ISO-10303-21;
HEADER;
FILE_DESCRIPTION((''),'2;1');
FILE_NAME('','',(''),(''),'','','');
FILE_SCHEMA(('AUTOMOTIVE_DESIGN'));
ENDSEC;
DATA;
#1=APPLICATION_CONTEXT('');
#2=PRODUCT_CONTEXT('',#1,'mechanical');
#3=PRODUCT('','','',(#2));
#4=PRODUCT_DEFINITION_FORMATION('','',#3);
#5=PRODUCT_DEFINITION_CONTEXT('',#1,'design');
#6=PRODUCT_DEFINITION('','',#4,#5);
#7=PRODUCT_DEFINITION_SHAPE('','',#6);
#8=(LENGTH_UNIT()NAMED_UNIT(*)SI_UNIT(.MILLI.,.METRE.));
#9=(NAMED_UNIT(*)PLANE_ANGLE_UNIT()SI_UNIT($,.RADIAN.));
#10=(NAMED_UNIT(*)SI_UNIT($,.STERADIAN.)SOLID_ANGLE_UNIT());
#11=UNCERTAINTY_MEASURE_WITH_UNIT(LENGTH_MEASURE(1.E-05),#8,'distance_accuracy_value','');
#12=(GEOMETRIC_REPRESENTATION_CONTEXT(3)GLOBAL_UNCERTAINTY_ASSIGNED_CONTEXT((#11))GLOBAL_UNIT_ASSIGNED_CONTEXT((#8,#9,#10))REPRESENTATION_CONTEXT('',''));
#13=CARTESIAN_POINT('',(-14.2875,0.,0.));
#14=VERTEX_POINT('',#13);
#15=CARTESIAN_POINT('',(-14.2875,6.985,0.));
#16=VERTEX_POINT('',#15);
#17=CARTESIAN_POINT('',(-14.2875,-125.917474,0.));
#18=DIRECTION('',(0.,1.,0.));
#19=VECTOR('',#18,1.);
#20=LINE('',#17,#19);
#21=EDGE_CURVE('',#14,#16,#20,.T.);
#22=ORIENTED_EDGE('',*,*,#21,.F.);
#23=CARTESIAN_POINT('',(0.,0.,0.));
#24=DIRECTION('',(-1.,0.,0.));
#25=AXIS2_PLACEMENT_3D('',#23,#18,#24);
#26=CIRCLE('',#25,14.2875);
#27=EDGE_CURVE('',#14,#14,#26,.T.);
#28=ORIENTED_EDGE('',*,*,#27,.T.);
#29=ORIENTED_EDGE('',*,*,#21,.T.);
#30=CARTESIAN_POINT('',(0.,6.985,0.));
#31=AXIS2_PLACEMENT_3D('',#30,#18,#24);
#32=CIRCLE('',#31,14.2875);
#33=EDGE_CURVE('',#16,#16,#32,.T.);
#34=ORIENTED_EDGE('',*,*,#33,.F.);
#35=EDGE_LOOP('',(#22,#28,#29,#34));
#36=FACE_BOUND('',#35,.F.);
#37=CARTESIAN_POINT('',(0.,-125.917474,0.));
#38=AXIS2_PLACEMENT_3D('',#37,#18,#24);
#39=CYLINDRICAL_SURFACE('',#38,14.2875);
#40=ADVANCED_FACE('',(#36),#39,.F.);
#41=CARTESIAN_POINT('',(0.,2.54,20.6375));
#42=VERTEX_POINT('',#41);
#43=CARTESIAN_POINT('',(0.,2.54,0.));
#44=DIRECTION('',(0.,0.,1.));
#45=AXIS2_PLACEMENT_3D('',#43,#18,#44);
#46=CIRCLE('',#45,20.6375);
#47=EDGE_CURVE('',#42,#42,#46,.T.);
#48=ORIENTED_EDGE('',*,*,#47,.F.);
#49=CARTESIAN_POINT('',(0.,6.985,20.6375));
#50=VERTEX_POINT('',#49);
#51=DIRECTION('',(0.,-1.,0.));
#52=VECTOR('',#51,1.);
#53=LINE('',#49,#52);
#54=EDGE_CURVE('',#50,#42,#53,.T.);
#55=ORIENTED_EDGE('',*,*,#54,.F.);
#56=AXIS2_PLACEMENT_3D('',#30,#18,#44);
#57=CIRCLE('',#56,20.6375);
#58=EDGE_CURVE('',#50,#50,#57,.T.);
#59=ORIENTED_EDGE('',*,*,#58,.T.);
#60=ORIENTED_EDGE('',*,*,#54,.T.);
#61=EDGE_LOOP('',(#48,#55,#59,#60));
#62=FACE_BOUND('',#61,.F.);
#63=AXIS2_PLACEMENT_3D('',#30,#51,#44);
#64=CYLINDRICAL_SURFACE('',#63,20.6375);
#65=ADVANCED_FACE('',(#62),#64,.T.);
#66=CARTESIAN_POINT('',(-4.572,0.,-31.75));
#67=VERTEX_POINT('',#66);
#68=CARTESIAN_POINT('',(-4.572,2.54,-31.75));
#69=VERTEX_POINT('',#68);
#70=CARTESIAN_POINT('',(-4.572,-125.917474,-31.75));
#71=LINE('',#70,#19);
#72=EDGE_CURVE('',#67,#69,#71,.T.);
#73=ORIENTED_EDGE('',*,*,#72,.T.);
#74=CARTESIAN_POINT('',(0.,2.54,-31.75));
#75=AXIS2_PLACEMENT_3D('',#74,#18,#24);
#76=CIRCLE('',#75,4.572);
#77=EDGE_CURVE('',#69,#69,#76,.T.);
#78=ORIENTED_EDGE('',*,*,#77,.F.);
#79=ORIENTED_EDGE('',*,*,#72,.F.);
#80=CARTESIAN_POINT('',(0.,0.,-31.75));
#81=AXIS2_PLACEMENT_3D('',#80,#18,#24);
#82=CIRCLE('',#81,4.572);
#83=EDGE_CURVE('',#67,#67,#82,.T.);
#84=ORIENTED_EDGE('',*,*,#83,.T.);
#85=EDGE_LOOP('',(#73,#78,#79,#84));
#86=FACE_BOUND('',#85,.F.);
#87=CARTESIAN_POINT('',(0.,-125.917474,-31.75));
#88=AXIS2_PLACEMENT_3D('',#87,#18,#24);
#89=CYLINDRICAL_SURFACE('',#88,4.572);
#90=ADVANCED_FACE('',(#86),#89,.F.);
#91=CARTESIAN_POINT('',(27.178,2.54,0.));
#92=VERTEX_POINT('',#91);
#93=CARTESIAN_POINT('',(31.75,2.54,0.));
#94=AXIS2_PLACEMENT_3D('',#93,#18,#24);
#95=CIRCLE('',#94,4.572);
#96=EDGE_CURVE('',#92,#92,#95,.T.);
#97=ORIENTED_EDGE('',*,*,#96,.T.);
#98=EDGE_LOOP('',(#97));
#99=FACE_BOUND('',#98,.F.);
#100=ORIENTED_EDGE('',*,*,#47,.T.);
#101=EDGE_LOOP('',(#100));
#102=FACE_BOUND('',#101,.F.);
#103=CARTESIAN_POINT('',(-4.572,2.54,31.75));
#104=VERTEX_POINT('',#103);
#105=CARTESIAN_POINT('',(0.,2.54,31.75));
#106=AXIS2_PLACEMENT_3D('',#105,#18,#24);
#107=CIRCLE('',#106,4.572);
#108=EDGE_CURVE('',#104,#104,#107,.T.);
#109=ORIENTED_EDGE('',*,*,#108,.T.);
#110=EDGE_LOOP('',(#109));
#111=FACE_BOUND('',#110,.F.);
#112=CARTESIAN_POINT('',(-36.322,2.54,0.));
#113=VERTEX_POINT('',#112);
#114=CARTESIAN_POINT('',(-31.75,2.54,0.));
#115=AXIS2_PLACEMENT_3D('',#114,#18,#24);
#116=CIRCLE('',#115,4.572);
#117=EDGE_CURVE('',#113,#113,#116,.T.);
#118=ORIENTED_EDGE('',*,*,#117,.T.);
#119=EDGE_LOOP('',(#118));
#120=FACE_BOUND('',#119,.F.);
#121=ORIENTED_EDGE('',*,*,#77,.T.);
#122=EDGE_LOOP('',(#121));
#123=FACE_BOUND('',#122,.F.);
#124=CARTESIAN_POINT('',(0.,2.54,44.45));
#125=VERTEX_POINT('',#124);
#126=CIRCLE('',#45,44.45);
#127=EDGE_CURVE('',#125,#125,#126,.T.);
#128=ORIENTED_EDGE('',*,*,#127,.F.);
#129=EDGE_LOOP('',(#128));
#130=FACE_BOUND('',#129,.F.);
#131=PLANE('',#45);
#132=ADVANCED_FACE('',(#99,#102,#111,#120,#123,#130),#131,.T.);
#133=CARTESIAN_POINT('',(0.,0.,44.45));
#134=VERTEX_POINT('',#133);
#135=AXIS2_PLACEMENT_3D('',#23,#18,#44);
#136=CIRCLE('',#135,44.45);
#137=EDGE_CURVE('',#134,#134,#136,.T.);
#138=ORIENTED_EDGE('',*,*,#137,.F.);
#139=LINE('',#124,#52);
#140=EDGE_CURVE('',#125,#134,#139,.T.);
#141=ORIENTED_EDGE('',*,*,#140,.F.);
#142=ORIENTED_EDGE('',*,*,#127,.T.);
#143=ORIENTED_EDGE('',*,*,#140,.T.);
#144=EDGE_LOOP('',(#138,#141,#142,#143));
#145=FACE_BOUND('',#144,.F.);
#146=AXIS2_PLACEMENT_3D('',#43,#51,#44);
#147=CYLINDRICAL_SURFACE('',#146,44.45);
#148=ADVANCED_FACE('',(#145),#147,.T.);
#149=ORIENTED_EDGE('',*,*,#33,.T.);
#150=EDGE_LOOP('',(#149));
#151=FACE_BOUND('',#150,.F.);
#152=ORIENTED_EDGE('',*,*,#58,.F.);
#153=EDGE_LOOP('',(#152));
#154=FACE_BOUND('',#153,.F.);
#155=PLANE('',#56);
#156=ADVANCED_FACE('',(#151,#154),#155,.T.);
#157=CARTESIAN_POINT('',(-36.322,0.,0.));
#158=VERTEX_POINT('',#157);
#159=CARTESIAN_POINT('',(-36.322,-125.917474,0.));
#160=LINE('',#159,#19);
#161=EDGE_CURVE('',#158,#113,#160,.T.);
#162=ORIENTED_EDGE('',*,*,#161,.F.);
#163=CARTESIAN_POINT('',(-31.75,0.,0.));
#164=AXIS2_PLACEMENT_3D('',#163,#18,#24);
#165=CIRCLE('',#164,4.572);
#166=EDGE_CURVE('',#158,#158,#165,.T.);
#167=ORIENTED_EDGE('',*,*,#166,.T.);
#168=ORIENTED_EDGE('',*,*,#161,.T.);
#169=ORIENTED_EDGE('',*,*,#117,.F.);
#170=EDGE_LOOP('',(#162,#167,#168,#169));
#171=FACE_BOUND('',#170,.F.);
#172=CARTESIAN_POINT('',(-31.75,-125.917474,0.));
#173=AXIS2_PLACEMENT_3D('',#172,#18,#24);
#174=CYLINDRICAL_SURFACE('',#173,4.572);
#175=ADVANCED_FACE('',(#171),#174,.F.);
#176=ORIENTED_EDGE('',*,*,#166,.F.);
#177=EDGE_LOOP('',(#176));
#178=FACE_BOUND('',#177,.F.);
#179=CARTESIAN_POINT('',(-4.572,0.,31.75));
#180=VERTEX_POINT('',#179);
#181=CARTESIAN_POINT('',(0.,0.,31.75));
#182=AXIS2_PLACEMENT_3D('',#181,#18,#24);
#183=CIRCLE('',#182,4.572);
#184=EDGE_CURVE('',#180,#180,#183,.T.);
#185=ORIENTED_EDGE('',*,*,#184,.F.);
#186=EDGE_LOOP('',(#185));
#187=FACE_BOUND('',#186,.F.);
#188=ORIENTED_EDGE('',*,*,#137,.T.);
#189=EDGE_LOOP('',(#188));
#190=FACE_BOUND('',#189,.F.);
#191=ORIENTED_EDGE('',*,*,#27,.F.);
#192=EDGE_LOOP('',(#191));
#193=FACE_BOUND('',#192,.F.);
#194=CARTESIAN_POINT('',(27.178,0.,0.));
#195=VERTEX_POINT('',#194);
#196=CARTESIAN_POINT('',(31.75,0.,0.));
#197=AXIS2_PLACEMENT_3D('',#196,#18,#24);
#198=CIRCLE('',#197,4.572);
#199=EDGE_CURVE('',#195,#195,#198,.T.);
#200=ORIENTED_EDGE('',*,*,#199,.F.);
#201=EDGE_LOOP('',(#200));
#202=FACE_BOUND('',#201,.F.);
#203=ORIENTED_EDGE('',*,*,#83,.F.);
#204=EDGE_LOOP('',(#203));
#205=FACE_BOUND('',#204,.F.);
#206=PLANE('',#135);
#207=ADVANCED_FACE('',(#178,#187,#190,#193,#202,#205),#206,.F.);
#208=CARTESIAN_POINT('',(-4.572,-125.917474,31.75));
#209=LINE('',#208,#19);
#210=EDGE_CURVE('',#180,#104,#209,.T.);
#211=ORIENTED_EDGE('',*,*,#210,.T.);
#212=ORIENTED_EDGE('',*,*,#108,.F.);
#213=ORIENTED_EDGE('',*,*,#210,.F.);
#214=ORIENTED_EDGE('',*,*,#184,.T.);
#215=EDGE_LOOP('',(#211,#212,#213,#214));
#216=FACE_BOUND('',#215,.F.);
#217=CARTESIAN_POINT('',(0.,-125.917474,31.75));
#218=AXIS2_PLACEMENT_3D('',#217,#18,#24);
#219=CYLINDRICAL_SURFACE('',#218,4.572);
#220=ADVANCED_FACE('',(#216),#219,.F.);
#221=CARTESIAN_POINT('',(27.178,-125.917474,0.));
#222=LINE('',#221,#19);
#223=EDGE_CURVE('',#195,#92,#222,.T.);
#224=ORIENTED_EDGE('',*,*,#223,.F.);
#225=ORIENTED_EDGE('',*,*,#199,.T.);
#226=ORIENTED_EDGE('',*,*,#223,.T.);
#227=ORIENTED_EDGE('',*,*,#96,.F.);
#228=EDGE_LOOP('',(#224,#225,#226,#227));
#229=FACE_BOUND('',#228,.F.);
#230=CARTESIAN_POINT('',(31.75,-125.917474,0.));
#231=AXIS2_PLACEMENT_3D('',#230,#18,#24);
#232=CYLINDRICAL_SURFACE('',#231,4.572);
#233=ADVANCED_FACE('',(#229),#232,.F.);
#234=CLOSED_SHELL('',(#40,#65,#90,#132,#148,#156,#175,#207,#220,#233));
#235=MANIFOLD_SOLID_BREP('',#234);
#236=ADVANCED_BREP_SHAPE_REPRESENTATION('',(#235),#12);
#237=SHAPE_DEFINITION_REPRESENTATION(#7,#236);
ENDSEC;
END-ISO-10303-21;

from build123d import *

# Parameters (mm, degrees)
F3_D = 28.575
F4_D = 9.144


with BuildPart() as f1:
    # F0 (on Right) → F1 (revolve)
    with BuildSketch(Plane.YZ):
        Polygon((0, 44.45), (0, 0), (6.985, 0), (6.985, 20.6375), (2.54, 20.6375), (2.54, 44.45), align=None)
    revolve(axis=Axis((0, 6.35, 0), (0, 1, 0)))

    # F3 (through all)
    with Locations(Plane.XZ):
        with Locations((0, 0)):
            Hole(F3_D / 2)

    # F4 (through all)
    with Locations(Plane.XZ):
        with Locations((0, 31.75), (31.75, 0), (0, -31.75), (-31.75, 0)):
            Hole(F4_D / 2)


solid = f1.part
